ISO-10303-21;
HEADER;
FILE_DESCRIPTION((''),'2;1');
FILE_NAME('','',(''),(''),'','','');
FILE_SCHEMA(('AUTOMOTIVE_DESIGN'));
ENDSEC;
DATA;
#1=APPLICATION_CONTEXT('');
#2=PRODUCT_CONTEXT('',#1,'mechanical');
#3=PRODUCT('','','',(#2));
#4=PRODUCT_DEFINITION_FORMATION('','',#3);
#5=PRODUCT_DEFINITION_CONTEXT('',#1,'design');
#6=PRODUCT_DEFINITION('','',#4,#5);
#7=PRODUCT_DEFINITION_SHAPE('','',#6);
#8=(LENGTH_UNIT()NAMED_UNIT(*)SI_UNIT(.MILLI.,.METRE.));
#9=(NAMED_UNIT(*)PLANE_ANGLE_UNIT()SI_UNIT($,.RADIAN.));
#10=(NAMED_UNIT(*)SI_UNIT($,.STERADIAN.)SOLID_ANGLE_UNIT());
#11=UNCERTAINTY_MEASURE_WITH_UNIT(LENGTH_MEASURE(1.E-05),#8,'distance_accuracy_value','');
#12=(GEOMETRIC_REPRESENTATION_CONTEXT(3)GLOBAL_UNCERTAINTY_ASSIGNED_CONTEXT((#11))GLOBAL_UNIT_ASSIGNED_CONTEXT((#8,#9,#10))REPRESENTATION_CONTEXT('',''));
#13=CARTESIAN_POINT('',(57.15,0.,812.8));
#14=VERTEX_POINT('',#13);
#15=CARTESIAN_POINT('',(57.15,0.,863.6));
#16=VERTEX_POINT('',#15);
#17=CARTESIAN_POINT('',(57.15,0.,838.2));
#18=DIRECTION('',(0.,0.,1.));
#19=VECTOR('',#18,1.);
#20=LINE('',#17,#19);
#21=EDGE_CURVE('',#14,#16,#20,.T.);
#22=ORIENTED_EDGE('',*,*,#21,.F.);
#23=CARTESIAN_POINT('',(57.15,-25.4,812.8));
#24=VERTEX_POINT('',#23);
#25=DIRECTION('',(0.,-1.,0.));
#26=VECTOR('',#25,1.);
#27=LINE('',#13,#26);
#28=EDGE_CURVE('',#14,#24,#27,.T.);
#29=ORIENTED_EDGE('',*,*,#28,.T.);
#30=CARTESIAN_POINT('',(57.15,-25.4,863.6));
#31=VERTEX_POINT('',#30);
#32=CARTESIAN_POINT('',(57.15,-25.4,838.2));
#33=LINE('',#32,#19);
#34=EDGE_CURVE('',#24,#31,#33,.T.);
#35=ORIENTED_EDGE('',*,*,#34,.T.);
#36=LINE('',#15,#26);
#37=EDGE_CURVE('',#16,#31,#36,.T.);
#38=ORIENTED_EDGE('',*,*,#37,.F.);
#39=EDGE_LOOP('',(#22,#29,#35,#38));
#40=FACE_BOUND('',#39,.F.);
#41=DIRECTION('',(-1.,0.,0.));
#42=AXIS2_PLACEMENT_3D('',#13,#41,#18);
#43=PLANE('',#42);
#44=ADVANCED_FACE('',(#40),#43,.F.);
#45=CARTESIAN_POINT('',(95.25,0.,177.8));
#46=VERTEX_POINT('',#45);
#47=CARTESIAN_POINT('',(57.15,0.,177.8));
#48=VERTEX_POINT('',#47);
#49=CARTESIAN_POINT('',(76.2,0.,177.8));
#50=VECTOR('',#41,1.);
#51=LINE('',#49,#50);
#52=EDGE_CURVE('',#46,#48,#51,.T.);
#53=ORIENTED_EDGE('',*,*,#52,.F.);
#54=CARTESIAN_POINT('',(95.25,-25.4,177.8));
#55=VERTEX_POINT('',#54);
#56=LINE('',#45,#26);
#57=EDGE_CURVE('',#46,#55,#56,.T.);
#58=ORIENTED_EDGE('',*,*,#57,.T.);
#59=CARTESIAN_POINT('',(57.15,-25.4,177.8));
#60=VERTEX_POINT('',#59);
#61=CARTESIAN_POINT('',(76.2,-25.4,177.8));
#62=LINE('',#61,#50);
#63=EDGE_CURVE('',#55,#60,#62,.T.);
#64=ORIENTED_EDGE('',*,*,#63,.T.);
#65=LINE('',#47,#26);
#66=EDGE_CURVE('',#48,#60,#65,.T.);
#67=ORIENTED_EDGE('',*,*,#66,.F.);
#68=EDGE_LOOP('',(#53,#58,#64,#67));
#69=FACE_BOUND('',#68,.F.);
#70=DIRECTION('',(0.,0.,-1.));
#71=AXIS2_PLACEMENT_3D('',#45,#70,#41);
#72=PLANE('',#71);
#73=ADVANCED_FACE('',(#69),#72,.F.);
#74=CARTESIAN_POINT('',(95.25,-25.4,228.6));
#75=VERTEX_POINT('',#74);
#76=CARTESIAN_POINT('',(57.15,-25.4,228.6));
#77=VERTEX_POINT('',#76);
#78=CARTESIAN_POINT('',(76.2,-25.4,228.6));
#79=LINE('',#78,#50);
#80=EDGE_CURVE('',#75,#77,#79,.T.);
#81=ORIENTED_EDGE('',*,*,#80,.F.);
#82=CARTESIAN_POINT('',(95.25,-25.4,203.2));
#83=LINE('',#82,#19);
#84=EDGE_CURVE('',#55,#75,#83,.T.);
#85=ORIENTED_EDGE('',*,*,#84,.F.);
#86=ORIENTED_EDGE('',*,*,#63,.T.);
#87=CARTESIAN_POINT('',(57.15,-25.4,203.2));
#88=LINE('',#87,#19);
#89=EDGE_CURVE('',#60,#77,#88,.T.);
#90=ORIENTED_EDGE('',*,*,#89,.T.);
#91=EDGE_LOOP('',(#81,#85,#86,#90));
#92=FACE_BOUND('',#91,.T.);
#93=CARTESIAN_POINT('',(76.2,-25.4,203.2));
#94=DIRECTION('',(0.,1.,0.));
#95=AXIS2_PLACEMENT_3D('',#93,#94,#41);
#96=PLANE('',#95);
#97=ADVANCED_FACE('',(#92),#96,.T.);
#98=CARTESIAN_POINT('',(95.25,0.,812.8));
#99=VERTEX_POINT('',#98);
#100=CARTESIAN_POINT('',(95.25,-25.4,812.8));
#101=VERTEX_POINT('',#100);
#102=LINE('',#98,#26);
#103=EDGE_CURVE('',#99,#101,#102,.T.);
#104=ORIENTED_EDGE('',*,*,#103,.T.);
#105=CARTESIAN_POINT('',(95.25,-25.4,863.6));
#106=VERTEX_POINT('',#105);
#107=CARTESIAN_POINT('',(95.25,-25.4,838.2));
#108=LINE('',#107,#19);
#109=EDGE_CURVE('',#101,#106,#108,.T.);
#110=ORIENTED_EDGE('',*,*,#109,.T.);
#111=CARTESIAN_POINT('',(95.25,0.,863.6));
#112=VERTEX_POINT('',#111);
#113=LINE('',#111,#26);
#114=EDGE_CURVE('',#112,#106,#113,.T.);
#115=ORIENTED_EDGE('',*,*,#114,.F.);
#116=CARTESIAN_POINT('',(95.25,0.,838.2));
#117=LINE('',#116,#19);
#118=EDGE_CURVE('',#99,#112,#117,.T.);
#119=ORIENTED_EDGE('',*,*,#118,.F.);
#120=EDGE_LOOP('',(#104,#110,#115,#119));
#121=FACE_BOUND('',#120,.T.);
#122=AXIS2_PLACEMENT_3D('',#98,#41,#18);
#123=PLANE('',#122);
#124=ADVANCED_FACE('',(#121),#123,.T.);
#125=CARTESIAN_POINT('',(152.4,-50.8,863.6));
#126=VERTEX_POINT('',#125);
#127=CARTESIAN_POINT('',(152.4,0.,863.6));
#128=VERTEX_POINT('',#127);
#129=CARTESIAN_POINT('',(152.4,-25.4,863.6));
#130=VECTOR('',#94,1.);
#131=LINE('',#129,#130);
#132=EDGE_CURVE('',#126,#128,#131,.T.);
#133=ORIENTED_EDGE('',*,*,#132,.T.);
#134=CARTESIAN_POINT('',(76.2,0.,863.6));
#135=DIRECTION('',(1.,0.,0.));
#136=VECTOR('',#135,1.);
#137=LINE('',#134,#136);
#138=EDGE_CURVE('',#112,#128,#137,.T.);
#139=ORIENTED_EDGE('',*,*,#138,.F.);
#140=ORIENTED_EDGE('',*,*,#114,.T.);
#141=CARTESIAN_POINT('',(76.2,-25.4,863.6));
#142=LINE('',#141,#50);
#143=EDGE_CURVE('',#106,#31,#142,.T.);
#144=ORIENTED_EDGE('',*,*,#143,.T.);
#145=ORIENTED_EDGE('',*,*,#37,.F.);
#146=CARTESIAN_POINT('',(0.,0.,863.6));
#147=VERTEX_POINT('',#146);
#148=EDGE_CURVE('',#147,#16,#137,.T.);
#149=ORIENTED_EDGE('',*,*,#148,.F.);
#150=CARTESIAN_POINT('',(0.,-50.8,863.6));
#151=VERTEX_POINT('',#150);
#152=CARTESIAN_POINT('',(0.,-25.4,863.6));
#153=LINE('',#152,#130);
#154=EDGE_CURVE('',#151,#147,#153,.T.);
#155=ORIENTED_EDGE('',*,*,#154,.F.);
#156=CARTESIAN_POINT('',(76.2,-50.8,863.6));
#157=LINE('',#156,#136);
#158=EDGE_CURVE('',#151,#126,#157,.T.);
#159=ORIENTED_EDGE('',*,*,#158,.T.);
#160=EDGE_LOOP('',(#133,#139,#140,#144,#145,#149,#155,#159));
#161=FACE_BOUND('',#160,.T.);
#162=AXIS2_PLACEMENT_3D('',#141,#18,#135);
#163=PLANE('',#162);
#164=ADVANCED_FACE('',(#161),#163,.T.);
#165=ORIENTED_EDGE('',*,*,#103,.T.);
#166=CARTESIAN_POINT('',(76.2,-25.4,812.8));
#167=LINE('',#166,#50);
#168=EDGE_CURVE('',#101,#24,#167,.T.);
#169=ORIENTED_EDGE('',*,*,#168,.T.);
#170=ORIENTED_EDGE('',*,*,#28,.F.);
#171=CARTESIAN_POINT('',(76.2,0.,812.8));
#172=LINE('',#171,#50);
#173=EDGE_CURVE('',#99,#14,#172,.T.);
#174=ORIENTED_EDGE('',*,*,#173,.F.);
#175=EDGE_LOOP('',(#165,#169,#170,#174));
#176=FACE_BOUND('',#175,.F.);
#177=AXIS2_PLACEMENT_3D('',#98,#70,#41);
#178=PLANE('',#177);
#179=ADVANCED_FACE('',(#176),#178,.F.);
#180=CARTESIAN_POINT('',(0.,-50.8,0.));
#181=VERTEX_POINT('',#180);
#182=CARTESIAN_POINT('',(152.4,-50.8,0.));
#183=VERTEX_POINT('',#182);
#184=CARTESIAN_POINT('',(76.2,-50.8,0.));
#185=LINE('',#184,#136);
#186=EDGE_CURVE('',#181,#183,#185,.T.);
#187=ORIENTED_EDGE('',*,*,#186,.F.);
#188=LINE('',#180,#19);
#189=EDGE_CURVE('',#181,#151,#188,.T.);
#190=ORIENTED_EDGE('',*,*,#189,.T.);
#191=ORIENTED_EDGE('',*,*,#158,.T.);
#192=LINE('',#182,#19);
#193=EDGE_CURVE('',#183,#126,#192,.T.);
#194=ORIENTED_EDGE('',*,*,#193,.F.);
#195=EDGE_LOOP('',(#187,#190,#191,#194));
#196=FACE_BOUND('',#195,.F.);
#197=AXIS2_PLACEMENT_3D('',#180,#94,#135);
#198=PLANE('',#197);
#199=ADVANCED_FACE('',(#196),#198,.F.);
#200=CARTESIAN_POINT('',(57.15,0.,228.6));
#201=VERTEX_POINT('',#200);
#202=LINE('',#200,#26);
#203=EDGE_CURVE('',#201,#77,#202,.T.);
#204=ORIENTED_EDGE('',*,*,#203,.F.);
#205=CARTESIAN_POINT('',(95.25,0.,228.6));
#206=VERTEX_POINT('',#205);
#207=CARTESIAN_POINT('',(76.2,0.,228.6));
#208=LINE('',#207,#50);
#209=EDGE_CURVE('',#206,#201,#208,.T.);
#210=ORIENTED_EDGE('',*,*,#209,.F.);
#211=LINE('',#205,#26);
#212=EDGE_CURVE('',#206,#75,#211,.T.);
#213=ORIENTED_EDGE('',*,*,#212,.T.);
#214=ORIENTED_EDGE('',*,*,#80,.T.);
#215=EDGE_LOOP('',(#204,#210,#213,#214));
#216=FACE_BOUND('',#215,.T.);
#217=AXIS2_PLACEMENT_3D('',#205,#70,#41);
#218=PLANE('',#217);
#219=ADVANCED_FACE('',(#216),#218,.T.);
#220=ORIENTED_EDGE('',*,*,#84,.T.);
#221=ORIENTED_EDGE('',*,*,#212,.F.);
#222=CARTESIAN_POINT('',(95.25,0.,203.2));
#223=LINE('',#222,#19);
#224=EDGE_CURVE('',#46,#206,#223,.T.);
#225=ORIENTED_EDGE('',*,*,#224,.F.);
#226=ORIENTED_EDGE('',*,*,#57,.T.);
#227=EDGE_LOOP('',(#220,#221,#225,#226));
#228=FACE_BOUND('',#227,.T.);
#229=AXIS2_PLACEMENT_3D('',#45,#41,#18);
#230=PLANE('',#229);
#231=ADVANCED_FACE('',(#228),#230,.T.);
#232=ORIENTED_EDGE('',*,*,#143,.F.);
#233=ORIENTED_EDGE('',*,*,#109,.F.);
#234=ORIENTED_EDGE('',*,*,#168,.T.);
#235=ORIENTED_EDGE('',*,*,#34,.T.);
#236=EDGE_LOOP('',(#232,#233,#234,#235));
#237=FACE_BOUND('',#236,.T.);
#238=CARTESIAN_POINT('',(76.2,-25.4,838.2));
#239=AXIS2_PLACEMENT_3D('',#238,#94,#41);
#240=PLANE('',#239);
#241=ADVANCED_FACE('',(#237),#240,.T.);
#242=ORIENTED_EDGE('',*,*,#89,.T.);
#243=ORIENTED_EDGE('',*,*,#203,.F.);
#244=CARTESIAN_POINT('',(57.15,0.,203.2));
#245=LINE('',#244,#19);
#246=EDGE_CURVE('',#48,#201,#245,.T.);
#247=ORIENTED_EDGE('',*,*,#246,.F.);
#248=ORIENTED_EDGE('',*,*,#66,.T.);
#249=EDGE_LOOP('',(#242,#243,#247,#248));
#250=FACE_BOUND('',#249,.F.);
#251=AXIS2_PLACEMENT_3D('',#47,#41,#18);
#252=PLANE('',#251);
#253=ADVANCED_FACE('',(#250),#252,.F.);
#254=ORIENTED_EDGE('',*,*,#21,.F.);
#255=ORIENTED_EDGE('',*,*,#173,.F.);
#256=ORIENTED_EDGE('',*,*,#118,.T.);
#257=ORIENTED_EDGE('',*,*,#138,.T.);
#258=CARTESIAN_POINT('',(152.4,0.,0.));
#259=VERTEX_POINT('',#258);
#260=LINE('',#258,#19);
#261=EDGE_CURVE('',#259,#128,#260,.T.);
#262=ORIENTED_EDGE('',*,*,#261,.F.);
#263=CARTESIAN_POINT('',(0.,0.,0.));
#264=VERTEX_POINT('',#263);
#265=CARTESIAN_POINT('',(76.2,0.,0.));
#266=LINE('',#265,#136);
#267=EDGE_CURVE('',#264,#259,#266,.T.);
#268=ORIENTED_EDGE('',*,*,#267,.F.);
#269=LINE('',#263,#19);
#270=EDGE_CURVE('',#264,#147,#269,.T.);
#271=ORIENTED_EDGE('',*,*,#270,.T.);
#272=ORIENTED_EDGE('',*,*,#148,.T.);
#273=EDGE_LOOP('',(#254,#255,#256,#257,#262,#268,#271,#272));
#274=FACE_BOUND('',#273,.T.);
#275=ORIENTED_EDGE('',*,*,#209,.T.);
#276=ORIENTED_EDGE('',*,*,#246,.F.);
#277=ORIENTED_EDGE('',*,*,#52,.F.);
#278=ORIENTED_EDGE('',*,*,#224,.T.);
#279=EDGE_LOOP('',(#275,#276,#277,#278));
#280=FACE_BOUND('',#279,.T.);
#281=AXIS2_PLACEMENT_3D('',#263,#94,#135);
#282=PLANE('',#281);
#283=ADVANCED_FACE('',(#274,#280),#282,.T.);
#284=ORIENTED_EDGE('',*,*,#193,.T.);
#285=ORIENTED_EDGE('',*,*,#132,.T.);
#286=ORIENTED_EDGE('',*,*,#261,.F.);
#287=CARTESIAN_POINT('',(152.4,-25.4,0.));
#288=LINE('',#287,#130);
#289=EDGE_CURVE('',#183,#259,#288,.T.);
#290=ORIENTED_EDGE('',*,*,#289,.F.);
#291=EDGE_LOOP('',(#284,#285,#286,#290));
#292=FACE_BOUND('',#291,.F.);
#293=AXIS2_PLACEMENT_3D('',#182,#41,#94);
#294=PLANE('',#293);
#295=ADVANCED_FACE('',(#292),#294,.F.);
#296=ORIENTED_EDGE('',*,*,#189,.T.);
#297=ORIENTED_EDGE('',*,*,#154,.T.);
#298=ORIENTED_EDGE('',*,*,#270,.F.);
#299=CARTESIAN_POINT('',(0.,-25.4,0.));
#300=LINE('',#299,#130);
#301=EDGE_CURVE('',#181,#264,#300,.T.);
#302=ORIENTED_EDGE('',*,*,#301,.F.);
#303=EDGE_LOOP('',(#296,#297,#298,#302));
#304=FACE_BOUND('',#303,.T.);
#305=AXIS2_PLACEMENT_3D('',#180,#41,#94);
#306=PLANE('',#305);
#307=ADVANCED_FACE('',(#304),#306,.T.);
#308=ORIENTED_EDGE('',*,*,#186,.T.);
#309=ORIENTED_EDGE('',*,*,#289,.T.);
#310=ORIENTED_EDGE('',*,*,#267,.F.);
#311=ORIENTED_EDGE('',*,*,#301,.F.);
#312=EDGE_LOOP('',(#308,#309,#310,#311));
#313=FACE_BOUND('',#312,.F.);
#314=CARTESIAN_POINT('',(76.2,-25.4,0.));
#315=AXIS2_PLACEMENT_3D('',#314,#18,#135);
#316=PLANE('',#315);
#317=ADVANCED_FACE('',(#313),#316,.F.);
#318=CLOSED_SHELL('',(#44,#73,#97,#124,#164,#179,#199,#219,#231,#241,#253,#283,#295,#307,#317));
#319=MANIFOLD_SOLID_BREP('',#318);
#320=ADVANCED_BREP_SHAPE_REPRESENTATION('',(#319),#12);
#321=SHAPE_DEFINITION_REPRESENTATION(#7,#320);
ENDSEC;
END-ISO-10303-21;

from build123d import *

# Parameters (mm, degrees)
F0_W     = 152.4
F0_H     = 50.8
F1_DEPTH = 863.6
F2_W     = 38.1
F2_H     = 50.8
F3_DEPTH = 25.4
F4_W     = 38.1
F4_H     = 50.8
F5_DEPTH = 25.4


with BuildPart() as f1:
    # F0 (on Top) → F1 (new body)
    with BuildSketch(Plane.XY):
        with Locations((76.2, -25.4)):
            Rectangle(F0_W, F0_H)
    extrude(amount=F1_DEPTH)

    # F2 (on face) → F3 (cut)
    with BuildSketch(Plane(origin=(0, 0, 0), x_dir=(-1, 0, 0), z_dir=(0, 1, 0))):
        with Locations((-76.2, 838.2)):
            Rectangle(F2_W, F2_H)
    extrude(amount=-F3_DEPTH, mode=Mode.SUBTRACT)

    # F4 (on face) → F5 (cut)
    with BuildSketch(Plane(origin=(0, 0, 0), x_dir=(-1, 0, 0), z_dir=(0, 1, 0))):
        with Locations((-76.2, 203.2)):
            Rectangle(F4_W, F4_H)
    extrude(amount=-F5_DEPTH, mode=Mode.SUBTRACT)


solid = f1.part
